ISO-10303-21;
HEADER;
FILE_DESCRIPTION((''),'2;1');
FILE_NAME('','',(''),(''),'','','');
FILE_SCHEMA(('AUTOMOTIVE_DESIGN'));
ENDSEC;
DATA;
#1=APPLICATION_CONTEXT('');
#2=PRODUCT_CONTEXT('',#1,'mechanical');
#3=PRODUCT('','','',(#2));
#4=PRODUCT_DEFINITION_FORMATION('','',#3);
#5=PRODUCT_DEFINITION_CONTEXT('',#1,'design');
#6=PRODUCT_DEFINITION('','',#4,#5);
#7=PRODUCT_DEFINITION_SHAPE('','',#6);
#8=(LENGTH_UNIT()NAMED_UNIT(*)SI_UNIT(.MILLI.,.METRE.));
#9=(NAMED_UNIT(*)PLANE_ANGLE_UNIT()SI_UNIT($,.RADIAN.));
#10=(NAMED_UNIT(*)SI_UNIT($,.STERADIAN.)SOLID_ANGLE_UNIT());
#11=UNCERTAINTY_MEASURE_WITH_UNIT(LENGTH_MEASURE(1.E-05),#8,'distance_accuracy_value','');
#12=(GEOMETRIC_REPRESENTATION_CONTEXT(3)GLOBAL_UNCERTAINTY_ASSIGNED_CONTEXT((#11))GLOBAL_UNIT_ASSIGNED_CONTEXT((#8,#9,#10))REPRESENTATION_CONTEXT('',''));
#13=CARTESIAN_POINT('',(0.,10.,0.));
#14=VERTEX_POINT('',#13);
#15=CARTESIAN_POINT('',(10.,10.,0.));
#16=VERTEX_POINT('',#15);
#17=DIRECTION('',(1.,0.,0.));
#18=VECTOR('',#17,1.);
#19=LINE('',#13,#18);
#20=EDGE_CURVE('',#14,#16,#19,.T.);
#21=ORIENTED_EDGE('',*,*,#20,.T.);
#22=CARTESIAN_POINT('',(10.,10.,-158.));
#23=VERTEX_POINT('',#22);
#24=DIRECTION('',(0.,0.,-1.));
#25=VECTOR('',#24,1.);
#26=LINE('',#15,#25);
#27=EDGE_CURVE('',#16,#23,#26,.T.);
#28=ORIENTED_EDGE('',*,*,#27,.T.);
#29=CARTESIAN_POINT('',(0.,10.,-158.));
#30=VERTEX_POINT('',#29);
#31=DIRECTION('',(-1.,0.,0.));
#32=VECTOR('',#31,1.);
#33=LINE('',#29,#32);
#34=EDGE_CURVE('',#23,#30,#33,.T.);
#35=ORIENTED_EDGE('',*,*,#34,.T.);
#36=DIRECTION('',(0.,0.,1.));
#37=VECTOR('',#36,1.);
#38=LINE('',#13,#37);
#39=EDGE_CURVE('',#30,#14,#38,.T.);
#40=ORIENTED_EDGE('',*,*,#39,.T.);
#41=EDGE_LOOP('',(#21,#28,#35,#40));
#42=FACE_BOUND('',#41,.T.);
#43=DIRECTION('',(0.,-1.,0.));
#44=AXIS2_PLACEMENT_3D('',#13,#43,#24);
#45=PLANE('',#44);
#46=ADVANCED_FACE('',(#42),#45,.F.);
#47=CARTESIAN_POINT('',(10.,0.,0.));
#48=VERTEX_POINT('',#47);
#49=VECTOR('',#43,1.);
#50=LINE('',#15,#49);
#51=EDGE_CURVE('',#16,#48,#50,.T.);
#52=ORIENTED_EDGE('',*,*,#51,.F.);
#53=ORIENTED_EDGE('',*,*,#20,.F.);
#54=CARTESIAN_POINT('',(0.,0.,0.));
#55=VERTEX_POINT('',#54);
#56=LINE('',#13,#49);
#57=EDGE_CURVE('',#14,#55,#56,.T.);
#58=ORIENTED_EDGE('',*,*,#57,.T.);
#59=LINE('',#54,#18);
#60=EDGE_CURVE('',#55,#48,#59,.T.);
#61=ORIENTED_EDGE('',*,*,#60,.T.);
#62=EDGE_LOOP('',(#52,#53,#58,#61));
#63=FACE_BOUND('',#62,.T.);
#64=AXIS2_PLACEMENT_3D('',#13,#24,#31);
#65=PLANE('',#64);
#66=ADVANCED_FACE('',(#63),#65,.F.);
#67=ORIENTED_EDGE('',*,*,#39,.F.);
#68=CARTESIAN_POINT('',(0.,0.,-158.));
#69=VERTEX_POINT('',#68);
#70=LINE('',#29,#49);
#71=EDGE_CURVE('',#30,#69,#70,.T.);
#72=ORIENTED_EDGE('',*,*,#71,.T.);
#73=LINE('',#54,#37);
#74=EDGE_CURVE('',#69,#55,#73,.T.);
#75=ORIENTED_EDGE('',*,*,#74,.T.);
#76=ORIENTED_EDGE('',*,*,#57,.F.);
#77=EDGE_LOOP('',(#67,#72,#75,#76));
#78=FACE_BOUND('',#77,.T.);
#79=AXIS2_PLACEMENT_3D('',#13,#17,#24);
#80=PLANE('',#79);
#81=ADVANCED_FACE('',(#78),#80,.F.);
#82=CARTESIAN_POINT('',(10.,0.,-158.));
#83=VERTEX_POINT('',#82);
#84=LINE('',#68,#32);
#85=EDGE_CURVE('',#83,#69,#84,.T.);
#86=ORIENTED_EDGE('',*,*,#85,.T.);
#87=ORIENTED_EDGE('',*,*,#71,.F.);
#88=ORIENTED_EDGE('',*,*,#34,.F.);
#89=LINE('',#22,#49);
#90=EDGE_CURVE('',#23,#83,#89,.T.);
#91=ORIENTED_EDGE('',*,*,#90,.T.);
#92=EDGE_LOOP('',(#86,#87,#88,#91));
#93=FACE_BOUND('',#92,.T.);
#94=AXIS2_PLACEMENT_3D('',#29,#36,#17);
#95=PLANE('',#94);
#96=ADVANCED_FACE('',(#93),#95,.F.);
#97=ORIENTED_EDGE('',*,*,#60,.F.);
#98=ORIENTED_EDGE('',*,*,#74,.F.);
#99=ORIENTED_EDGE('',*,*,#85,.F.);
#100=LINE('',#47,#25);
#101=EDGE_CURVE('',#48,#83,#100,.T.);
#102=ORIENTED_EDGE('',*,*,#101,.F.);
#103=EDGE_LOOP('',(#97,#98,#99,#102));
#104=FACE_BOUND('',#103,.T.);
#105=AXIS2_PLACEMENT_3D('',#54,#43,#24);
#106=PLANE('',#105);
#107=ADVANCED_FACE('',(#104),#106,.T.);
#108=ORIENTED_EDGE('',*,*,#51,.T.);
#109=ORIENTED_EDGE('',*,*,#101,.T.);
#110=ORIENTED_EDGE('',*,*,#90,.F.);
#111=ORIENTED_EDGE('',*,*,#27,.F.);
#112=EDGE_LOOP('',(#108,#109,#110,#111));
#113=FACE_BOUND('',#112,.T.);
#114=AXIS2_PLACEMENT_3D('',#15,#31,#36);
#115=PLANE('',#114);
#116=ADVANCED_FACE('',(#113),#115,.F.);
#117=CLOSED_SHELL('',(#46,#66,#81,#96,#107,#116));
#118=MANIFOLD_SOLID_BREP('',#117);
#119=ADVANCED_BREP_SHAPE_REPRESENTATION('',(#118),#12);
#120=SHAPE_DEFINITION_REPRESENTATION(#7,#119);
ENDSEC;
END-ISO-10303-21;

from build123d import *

# Parameters (mm, degrees)
CROQUIS1_W              = 10
CROQUIS1_H              = 158
SALIENTE_EXTRUIR1_DEPTH = 10


with BuildPart() as part:
    # Croquis1 → Saliente-Extruir1 (new body)
    with BuildSketch(Plane(origin=(0, 0, 0), x_dir=(1, 0, 0), z_dir=(0, 1, 0))):
        with Locations((5, 79)):
            Rectangle(CROQUIS1_W, CROQUIS1_H)
    extrude(amount=SALIENTE_EXTRUIR1_DEPTH)


solid = part.part
